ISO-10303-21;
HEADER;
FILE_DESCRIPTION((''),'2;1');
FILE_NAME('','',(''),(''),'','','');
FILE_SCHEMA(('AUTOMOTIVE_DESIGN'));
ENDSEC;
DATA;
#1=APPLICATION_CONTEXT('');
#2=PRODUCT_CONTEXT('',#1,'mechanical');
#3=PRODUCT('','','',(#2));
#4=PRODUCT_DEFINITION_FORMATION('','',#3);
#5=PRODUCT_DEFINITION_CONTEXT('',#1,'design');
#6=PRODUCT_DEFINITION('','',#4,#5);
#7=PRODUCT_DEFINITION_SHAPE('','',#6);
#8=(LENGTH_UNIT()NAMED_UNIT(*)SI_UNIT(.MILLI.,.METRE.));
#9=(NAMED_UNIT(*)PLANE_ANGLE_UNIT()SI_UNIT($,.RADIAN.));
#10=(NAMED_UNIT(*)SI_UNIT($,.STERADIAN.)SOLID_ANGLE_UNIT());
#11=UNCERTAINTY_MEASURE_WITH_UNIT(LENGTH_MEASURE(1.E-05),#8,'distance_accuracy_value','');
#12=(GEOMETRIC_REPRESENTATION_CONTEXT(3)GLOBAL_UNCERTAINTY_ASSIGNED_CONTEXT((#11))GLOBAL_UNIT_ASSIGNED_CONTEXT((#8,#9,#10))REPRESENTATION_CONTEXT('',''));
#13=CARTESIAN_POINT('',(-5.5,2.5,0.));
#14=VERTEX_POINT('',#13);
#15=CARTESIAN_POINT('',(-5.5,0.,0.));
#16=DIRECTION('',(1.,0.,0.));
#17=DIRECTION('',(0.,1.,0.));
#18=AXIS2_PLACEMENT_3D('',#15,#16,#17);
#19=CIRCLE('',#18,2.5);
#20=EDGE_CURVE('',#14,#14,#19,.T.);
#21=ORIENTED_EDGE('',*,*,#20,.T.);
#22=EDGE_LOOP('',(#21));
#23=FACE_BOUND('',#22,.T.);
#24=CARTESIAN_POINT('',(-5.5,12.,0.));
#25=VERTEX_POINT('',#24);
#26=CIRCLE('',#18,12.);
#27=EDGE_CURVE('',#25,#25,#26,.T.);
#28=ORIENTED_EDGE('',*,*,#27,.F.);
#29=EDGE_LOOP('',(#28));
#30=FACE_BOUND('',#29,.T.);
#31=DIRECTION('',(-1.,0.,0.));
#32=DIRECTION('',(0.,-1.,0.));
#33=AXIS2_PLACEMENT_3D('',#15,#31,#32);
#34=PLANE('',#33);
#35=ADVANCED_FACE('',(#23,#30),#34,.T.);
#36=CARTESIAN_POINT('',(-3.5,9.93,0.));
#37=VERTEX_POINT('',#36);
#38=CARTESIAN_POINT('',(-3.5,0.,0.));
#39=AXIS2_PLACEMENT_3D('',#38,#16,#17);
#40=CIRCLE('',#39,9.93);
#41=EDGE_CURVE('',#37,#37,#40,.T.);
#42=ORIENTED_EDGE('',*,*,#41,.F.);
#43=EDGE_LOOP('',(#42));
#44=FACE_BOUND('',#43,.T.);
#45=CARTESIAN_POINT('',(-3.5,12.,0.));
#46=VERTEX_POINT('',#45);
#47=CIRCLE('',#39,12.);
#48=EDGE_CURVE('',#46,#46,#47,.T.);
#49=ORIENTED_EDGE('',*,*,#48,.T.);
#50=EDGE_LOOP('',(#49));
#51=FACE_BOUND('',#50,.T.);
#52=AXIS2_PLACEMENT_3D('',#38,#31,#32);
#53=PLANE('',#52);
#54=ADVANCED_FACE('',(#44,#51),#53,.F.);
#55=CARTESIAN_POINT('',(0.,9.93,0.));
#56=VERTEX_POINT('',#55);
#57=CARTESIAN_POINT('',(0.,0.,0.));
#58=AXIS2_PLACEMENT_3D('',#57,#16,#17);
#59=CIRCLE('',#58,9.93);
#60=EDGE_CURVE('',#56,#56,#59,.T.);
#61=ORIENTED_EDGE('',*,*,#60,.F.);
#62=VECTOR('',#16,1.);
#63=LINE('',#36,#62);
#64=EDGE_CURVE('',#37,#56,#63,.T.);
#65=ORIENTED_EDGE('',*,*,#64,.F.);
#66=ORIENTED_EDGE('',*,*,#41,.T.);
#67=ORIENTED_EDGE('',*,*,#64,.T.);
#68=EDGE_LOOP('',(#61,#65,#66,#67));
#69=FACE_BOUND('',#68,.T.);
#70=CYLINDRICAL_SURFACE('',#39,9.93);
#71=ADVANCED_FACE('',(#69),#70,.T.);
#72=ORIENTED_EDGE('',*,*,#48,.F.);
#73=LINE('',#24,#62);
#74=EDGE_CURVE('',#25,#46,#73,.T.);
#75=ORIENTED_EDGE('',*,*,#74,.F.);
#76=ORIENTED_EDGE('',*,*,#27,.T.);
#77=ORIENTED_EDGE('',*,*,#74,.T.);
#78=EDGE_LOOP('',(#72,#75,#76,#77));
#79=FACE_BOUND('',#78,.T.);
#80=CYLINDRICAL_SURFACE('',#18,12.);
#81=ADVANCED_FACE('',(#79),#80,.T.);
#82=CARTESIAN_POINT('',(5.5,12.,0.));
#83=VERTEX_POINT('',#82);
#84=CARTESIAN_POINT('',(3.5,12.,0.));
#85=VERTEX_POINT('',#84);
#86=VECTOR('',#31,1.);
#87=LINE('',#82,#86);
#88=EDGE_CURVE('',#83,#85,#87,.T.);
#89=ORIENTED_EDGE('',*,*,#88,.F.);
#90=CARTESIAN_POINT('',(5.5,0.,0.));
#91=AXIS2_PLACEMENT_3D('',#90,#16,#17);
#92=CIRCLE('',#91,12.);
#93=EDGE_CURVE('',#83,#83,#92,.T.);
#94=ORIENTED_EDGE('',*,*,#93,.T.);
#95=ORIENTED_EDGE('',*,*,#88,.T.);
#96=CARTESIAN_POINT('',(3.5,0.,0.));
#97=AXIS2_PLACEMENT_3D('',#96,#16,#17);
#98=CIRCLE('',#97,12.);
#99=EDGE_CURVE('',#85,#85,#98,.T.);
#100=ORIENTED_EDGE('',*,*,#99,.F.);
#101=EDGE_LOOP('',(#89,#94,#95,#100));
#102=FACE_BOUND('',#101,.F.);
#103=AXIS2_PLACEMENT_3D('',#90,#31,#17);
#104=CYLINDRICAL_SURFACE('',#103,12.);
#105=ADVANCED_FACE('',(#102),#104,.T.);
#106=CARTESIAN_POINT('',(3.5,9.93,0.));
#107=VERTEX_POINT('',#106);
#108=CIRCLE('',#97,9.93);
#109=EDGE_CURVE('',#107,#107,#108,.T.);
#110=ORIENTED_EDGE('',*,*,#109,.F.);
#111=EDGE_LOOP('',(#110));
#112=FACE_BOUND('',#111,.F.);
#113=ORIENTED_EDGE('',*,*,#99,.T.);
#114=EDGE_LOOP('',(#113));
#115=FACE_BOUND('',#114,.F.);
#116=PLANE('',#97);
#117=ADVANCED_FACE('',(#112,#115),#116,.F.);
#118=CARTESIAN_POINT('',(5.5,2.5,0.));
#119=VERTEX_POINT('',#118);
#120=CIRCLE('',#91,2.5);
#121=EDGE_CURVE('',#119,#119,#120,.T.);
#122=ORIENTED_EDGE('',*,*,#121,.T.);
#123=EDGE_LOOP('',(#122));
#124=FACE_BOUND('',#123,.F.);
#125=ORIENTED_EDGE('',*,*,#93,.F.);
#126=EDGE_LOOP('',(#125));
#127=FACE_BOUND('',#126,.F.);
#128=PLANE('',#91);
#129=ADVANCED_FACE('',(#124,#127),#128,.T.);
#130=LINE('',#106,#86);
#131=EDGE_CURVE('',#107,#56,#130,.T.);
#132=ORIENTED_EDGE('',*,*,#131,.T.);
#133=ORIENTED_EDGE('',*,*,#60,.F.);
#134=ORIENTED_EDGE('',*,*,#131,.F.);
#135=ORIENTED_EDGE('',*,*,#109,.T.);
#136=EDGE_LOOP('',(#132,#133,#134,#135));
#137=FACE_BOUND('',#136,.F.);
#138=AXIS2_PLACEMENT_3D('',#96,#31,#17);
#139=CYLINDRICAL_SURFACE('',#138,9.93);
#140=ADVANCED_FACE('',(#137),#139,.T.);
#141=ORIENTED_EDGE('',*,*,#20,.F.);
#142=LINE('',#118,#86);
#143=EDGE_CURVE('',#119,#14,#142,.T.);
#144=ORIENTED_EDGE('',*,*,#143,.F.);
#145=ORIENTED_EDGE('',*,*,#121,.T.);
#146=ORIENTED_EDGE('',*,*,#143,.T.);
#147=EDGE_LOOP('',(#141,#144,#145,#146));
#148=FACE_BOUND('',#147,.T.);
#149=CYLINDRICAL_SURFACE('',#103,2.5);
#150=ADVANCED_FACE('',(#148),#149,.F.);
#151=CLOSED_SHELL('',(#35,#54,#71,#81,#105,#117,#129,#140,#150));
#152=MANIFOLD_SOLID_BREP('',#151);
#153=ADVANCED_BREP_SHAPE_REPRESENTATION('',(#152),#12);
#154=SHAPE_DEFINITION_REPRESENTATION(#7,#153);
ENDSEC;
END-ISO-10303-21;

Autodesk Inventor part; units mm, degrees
ref_plane "YZ Plane" through (0, 0, 0) normal (1, 0, 0) x (0, 1, 0)
ref_plane "XZ Plane" through (0, 0, 0) normal (0, 1, 0) x (-1, 0, 0)
ref_plane "XY Plane" through (0, 0, 0) normal (0, 0, 1) x (1, 0, 0)
sketch "Sketch1" plane through (0, 0, 0) normal (0, 0, 1) x (1, 0, 0)
  line L0 (5.5, 2.5) -> (5.5, 12)
  line L1 (5.5, 12) -> (3.5, 12)
  line L2 (3.5, 12) -> (3.5, 9.93)
  line L3 (3.5, 9.93) -> (0, 9.93)
  line L4 (5.5, 2.5) -> (0, 2.5)
  line L5 (0, 2.5) -> (0, 9.93)
  line L6 (-2.3, 0) -> (6.8, 0) projected
  line L7 (0, 0) -> (0, 17.5) projected
  line L8 (0, 9) -> (0, 2.5)
  line L9 (0, 15) -> (0, 9)
  point P0 (0, 6.215)
  point P1 (-1, 12)
  point P2 (4.5, 12)
  dimension "d0" = 5.5
  dimension "d1" = 3.5
  dimension "d2" = 9.93
  dimension "d3" = 12
  dimension "d4" = 2.5
  dimension "d8" = 1
revolve "Revolution1" add sketch "Sketch1" angle 360 about axis through (-10, 0, 0) along (1, 0, 0)
mirror "Mirror2" about plane through (0, 0, 0) normal (1, 0, 0) of "Revolution1"
properties part number "Belt_Pulley" material "Aluminum 6061"
